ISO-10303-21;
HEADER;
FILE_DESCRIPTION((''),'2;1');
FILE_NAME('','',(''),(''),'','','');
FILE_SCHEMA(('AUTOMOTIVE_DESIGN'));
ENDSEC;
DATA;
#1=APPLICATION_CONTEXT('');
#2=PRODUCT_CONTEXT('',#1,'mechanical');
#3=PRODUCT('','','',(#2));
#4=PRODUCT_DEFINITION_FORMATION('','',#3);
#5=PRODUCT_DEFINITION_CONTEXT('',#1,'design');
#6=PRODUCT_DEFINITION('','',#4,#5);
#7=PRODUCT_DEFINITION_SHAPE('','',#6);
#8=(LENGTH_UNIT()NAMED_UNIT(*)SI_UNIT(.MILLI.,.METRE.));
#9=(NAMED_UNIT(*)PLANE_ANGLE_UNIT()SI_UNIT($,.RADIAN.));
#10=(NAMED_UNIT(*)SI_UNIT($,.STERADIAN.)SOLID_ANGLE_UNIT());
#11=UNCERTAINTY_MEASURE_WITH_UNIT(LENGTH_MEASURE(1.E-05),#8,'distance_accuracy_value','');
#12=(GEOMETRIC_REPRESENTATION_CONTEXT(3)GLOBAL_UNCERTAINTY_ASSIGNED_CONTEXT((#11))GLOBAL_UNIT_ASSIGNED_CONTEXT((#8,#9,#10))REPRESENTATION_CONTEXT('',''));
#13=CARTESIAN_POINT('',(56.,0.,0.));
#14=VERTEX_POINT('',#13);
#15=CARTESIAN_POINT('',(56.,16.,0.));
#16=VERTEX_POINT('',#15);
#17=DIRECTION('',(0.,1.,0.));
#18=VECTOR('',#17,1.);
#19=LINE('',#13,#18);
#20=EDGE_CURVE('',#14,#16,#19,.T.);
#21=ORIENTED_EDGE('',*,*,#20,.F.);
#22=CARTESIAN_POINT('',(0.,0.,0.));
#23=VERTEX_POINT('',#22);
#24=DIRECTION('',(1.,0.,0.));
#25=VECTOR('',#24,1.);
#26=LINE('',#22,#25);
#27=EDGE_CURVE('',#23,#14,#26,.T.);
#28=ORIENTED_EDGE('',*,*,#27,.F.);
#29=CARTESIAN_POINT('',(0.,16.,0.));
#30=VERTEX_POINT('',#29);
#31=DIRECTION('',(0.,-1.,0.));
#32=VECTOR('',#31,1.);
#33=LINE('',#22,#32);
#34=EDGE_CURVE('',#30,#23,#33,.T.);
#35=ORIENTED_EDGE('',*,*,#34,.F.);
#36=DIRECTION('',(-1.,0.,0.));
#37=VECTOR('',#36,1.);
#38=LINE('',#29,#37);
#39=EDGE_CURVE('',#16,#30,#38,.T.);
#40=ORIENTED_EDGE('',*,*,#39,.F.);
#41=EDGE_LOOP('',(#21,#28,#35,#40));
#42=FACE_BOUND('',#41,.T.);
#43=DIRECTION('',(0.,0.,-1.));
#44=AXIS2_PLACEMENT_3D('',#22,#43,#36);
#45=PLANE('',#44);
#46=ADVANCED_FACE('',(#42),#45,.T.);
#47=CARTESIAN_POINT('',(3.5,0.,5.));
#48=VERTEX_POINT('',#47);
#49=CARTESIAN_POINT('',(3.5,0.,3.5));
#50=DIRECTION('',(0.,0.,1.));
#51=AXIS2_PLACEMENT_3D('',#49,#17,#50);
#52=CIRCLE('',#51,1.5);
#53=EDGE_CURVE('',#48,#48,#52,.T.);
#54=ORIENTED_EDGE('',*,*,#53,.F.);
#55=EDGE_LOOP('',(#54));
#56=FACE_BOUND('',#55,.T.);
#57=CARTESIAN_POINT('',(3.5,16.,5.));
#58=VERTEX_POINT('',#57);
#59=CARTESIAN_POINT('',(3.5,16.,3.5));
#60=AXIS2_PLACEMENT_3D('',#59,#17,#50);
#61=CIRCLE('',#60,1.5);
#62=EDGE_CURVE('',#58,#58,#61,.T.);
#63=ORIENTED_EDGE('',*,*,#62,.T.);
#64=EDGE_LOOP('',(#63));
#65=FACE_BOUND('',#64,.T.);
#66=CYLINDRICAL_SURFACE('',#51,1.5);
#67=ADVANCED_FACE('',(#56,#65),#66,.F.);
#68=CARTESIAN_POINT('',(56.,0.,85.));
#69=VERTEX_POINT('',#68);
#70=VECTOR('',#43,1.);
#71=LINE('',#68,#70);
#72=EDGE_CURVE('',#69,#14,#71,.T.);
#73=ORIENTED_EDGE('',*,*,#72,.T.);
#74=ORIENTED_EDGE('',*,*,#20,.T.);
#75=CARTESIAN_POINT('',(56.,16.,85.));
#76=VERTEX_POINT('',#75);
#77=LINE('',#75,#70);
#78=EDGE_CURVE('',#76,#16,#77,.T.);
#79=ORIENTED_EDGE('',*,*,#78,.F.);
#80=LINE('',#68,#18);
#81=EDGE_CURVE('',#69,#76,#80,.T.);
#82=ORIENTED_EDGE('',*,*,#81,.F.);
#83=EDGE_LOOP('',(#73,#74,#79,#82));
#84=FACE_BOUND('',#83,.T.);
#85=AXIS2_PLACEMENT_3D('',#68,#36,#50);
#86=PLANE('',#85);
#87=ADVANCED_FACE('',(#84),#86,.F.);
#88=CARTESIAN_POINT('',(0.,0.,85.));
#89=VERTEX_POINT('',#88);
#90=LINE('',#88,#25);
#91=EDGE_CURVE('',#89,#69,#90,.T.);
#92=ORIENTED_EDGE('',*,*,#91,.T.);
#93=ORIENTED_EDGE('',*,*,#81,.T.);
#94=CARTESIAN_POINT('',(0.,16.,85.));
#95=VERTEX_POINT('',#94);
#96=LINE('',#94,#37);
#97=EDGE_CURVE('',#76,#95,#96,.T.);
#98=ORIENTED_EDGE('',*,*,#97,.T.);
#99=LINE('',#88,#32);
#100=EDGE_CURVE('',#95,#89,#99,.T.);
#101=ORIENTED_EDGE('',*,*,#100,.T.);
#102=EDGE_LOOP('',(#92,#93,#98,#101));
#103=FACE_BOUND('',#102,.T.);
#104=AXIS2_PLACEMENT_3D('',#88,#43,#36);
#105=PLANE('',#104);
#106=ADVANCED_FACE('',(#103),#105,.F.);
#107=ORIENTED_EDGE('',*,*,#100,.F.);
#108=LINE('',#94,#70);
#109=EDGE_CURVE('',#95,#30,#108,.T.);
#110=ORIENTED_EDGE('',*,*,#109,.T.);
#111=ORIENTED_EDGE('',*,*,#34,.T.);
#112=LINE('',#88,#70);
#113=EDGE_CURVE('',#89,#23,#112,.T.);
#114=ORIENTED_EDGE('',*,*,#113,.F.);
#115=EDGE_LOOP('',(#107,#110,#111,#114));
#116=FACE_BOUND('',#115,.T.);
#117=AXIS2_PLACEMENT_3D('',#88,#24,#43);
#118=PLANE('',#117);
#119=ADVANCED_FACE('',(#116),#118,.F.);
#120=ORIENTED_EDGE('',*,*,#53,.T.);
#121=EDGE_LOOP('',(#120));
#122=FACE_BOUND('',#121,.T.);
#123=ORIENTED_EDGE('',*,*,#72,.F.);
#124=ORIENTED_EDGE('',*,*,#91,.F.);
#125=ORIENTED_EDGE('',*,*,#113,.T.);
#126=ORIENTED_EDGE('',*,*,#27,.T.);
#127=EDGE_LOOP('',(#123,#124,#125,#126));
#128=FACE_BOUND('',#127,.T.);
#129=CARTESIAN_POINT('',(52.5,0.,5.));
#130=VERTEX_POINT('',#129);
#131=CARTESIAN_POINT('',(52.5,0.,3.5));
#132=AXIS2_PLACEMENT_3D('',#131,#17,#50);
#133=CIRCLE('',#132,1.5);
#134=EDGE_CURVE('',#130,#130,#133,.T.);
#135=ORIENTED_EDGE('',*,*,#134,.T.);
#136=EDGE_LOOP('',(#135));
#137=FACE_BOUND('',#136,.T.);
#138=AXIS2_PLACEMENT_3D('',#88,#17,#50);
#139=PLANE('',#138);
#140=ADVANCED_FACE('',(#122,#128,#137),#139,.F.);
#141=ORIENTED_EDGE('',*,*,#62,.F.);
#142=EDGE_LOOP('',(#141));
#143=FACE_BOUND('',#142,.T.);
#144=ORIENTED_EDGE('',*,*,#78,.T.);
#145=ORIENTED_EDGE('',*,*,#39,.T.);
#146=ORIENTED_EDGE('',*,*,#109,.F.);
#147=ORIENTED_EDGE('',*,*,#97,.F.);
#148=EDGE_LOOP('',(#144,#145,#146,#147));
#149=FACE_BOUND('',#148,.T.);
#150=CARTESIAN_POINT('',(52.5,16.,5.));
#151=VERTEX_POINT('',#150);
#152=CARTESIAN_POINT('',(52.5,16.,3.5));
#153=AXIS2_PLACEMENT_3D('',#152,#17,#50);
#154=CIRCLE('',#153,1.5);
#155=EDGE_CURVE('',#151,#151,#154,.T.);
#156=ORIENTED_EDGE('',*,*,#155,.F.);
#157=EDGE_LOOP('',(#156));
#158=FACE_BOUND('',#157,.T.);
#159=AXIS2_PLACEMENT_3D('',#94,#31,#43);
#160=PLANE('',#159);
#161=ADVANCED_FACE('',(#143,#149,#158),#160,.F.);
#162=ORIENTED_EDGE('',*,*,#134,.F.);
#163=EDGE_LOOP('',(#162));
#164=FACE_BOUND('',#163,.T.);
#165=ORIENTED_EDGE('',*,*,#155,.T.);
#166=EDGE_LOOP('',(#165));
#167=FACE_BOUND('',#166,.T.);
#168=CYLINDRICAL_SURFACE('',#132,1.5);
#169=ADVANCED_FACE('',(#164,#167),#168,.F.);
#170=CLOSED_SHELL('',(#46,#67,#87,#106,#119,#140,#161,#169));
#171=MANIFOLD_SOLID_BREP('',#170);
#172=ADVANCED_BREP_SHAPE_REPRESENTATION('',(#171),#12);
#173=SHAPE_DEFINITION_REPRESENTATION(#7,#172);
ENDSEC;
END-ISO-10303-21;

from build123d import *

# Parameters (mm, degrees)
SKETCH_1_W          = 56
SKETCH_1_H          = 16
EXTRUDE_1_DEPTH     = 85
SKETCH_2_R          = 1.5
CUT_EXTRUDE_1_DEPTH = 104.038827633


with BuildPart() as part:
    # 草图1 → 凸台-拉伸1 (new body)
    with BuildSketch(Plane.XY):
        with Locations((28, 8)):
            Rectangle(SKETCH_1_W, SKETCH_1_H)
    extrude(amount=EXTRUDE_1_DEPTH)

    # 草图2 → 切除-拉伸1 (cut, through all)
    with BuildSketch(Plane(origin=(0, 16, 0), x_dir=(1, 0, 0), z_dir=(0, 1, 0))):
        with Locations(Location((3.5, -3.5, 0), (0, 0, 270))):
            Circle(SKETCH_2_R)
        with Locations(Location((52.5, -3.5, 0), (0, 0, 270))):
            Circle(SKETCH_2_R)
    extrude(amount=-CUT_EXTRUDE_1_DEPTH, mode=Mode.SUBTRACT)


solid = part.part
